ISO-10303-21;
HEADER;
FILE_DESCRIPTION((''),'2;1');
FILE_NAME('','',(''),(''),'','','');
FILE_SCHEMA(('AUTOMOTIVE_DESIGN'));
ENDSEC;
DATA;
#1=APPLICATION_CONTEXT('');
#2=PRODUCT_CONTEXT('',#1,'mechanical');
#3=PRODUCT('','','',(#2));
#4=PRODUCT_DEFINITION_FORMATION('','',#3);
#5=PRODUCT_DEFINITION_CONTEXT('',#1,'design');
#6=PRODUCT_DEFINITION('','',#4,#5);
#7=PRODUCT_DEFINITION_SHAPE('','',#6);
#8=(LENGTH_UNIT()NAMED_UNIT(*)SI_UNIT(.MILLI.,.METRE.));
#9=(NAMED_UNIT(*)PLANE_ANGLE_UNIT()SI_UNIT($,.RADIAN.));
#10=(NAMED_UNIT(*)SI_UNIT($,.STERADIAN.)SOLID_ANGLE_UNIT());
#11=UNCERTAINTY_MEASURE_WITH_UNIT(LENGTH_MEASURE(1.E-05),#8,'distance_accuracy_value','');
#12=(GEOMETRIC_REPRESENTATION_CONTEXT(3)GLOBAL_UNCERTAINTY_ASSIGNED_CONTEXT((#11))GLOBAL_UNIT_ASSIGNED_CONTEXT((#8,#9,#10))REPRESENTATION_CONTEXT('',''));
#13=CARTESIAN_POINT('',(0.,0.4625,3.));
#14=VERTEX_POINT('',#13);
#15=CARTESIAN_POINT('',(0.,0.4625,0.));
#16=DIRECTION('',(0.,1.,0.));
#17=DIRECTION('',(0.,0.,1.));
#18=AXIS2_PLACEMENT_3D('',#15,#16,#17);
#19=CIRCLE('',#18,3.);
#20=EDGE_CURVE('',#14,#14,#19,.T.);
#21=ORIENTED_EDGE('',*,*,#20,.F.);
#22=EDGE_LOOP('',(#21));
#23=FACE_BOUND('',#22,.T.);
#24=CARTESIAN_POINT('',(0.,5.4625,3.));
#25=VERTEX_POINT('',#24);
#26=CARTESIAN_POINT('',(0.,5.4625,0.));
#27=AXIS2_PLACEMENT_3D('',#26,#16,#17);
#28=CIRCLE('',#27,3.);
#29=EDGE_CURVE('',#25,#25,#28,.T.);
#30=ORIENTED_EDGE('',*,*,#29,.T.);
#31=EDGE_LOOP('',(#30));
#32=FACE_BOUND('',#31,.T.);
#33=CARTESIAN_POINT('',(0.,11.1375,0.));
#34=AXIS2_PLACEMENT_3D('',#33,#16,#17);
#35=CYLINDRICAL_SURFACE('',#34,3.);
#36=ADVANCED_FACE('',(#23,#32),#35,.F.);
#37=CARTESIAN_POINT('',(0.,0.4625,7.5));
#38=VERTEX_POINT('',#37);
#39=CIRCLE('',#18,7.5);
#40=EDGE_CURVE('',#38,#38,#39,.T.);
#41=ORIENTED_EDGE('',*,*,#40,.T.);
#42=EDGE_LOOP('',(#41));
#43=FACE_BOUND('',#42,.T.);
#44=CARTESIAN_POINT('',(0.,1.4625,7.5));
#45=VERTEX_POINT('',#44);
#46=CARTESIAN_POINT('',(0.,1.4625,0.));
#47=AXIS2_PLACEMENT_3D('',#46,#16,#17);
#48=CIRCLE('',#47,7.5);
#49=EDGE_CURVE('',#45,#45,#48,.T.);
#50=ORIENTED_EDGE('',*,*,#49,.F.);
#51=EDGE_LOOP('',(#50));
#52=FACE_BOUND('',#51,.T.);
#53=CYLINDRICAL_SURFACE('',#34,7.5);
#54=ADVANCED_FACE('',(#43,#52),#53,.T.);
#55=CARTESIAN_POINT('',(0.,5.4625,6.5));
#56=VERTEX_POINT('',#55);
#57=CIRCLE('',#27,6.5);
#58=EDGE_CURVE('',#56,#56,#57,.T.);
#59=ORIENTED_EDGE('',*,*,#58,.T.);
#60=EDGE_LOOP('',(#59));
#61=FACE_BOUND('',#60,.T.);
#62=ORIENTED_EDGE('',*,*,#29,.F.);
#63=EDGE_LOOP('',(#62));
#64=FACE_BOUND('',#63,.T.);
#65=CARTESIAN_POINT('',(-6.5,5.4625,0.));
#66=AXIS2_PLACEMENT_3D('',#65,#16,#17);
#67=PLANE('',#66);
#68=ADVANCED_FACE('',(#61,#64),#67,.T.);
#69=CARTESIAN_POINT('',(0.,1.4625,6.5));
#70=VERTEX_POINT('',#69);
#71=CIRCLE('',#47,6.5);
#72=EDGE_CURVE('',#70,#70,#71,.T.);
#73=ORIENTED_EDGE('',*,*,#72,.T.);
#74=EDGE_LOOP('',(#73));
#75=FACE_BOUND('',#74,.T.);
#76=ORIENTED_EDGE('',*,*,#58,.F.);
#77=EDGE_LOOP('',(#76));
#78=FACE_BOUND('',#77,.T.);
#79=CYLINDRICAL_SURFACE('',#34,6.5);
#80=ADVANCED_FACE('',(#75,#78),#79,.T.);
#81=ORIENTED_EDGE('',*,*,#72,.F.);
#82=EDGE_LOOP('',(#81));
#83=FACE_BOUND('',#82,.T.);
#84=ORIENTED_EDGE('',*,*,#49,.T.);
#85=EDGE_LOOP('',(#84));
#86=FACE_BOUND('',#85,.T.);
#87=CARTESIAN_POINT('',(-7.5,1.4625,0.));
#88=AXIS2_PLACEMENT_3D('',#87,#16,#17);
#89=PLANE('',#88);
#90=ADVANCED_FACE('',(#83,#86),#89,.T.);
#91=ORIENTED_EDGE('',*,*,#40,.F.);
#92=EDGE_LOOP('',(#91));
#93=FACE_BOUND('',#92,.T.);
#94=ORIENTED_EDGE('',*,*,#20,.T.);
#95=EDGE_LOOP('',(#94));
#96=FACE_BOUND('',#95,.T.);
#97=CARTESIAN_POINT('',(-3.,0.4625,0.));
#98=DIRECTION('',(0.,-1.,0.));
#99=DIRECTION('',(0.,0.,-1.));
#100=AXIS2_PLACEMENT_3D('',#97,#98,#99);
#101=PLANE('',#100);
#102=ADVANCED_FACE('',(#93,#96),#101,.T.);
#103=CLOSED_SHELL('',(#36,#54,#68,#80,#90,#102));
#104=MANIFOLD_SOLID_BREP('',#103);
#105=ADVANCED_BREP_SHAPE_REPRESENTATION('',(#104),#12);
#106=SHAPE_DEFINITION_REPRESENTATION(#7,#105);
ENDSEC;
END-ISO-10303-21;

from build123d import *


with BuildPart() as part:
    # 草图1 → 旋转1 (revolve)
    with BuildSketch(Plane.XY, mode=Mode.PRIVATE) as revolve_1_sk:
        Polygon((-3, 0.4625), (-7.5, 0.4625), (-7.5, 1.4625), (-6.5, 1.4625), (-6.5, 5.4625), (-3, 5.4625), align=None)
    revolve(revolve_1_sk.sketch.rotate(Axis((0, 11.1375, 0), (0, -1, 0)), 270), axis=Axis((0, 11.1375, 0), (0, -1, 0)))


solid = part.part
